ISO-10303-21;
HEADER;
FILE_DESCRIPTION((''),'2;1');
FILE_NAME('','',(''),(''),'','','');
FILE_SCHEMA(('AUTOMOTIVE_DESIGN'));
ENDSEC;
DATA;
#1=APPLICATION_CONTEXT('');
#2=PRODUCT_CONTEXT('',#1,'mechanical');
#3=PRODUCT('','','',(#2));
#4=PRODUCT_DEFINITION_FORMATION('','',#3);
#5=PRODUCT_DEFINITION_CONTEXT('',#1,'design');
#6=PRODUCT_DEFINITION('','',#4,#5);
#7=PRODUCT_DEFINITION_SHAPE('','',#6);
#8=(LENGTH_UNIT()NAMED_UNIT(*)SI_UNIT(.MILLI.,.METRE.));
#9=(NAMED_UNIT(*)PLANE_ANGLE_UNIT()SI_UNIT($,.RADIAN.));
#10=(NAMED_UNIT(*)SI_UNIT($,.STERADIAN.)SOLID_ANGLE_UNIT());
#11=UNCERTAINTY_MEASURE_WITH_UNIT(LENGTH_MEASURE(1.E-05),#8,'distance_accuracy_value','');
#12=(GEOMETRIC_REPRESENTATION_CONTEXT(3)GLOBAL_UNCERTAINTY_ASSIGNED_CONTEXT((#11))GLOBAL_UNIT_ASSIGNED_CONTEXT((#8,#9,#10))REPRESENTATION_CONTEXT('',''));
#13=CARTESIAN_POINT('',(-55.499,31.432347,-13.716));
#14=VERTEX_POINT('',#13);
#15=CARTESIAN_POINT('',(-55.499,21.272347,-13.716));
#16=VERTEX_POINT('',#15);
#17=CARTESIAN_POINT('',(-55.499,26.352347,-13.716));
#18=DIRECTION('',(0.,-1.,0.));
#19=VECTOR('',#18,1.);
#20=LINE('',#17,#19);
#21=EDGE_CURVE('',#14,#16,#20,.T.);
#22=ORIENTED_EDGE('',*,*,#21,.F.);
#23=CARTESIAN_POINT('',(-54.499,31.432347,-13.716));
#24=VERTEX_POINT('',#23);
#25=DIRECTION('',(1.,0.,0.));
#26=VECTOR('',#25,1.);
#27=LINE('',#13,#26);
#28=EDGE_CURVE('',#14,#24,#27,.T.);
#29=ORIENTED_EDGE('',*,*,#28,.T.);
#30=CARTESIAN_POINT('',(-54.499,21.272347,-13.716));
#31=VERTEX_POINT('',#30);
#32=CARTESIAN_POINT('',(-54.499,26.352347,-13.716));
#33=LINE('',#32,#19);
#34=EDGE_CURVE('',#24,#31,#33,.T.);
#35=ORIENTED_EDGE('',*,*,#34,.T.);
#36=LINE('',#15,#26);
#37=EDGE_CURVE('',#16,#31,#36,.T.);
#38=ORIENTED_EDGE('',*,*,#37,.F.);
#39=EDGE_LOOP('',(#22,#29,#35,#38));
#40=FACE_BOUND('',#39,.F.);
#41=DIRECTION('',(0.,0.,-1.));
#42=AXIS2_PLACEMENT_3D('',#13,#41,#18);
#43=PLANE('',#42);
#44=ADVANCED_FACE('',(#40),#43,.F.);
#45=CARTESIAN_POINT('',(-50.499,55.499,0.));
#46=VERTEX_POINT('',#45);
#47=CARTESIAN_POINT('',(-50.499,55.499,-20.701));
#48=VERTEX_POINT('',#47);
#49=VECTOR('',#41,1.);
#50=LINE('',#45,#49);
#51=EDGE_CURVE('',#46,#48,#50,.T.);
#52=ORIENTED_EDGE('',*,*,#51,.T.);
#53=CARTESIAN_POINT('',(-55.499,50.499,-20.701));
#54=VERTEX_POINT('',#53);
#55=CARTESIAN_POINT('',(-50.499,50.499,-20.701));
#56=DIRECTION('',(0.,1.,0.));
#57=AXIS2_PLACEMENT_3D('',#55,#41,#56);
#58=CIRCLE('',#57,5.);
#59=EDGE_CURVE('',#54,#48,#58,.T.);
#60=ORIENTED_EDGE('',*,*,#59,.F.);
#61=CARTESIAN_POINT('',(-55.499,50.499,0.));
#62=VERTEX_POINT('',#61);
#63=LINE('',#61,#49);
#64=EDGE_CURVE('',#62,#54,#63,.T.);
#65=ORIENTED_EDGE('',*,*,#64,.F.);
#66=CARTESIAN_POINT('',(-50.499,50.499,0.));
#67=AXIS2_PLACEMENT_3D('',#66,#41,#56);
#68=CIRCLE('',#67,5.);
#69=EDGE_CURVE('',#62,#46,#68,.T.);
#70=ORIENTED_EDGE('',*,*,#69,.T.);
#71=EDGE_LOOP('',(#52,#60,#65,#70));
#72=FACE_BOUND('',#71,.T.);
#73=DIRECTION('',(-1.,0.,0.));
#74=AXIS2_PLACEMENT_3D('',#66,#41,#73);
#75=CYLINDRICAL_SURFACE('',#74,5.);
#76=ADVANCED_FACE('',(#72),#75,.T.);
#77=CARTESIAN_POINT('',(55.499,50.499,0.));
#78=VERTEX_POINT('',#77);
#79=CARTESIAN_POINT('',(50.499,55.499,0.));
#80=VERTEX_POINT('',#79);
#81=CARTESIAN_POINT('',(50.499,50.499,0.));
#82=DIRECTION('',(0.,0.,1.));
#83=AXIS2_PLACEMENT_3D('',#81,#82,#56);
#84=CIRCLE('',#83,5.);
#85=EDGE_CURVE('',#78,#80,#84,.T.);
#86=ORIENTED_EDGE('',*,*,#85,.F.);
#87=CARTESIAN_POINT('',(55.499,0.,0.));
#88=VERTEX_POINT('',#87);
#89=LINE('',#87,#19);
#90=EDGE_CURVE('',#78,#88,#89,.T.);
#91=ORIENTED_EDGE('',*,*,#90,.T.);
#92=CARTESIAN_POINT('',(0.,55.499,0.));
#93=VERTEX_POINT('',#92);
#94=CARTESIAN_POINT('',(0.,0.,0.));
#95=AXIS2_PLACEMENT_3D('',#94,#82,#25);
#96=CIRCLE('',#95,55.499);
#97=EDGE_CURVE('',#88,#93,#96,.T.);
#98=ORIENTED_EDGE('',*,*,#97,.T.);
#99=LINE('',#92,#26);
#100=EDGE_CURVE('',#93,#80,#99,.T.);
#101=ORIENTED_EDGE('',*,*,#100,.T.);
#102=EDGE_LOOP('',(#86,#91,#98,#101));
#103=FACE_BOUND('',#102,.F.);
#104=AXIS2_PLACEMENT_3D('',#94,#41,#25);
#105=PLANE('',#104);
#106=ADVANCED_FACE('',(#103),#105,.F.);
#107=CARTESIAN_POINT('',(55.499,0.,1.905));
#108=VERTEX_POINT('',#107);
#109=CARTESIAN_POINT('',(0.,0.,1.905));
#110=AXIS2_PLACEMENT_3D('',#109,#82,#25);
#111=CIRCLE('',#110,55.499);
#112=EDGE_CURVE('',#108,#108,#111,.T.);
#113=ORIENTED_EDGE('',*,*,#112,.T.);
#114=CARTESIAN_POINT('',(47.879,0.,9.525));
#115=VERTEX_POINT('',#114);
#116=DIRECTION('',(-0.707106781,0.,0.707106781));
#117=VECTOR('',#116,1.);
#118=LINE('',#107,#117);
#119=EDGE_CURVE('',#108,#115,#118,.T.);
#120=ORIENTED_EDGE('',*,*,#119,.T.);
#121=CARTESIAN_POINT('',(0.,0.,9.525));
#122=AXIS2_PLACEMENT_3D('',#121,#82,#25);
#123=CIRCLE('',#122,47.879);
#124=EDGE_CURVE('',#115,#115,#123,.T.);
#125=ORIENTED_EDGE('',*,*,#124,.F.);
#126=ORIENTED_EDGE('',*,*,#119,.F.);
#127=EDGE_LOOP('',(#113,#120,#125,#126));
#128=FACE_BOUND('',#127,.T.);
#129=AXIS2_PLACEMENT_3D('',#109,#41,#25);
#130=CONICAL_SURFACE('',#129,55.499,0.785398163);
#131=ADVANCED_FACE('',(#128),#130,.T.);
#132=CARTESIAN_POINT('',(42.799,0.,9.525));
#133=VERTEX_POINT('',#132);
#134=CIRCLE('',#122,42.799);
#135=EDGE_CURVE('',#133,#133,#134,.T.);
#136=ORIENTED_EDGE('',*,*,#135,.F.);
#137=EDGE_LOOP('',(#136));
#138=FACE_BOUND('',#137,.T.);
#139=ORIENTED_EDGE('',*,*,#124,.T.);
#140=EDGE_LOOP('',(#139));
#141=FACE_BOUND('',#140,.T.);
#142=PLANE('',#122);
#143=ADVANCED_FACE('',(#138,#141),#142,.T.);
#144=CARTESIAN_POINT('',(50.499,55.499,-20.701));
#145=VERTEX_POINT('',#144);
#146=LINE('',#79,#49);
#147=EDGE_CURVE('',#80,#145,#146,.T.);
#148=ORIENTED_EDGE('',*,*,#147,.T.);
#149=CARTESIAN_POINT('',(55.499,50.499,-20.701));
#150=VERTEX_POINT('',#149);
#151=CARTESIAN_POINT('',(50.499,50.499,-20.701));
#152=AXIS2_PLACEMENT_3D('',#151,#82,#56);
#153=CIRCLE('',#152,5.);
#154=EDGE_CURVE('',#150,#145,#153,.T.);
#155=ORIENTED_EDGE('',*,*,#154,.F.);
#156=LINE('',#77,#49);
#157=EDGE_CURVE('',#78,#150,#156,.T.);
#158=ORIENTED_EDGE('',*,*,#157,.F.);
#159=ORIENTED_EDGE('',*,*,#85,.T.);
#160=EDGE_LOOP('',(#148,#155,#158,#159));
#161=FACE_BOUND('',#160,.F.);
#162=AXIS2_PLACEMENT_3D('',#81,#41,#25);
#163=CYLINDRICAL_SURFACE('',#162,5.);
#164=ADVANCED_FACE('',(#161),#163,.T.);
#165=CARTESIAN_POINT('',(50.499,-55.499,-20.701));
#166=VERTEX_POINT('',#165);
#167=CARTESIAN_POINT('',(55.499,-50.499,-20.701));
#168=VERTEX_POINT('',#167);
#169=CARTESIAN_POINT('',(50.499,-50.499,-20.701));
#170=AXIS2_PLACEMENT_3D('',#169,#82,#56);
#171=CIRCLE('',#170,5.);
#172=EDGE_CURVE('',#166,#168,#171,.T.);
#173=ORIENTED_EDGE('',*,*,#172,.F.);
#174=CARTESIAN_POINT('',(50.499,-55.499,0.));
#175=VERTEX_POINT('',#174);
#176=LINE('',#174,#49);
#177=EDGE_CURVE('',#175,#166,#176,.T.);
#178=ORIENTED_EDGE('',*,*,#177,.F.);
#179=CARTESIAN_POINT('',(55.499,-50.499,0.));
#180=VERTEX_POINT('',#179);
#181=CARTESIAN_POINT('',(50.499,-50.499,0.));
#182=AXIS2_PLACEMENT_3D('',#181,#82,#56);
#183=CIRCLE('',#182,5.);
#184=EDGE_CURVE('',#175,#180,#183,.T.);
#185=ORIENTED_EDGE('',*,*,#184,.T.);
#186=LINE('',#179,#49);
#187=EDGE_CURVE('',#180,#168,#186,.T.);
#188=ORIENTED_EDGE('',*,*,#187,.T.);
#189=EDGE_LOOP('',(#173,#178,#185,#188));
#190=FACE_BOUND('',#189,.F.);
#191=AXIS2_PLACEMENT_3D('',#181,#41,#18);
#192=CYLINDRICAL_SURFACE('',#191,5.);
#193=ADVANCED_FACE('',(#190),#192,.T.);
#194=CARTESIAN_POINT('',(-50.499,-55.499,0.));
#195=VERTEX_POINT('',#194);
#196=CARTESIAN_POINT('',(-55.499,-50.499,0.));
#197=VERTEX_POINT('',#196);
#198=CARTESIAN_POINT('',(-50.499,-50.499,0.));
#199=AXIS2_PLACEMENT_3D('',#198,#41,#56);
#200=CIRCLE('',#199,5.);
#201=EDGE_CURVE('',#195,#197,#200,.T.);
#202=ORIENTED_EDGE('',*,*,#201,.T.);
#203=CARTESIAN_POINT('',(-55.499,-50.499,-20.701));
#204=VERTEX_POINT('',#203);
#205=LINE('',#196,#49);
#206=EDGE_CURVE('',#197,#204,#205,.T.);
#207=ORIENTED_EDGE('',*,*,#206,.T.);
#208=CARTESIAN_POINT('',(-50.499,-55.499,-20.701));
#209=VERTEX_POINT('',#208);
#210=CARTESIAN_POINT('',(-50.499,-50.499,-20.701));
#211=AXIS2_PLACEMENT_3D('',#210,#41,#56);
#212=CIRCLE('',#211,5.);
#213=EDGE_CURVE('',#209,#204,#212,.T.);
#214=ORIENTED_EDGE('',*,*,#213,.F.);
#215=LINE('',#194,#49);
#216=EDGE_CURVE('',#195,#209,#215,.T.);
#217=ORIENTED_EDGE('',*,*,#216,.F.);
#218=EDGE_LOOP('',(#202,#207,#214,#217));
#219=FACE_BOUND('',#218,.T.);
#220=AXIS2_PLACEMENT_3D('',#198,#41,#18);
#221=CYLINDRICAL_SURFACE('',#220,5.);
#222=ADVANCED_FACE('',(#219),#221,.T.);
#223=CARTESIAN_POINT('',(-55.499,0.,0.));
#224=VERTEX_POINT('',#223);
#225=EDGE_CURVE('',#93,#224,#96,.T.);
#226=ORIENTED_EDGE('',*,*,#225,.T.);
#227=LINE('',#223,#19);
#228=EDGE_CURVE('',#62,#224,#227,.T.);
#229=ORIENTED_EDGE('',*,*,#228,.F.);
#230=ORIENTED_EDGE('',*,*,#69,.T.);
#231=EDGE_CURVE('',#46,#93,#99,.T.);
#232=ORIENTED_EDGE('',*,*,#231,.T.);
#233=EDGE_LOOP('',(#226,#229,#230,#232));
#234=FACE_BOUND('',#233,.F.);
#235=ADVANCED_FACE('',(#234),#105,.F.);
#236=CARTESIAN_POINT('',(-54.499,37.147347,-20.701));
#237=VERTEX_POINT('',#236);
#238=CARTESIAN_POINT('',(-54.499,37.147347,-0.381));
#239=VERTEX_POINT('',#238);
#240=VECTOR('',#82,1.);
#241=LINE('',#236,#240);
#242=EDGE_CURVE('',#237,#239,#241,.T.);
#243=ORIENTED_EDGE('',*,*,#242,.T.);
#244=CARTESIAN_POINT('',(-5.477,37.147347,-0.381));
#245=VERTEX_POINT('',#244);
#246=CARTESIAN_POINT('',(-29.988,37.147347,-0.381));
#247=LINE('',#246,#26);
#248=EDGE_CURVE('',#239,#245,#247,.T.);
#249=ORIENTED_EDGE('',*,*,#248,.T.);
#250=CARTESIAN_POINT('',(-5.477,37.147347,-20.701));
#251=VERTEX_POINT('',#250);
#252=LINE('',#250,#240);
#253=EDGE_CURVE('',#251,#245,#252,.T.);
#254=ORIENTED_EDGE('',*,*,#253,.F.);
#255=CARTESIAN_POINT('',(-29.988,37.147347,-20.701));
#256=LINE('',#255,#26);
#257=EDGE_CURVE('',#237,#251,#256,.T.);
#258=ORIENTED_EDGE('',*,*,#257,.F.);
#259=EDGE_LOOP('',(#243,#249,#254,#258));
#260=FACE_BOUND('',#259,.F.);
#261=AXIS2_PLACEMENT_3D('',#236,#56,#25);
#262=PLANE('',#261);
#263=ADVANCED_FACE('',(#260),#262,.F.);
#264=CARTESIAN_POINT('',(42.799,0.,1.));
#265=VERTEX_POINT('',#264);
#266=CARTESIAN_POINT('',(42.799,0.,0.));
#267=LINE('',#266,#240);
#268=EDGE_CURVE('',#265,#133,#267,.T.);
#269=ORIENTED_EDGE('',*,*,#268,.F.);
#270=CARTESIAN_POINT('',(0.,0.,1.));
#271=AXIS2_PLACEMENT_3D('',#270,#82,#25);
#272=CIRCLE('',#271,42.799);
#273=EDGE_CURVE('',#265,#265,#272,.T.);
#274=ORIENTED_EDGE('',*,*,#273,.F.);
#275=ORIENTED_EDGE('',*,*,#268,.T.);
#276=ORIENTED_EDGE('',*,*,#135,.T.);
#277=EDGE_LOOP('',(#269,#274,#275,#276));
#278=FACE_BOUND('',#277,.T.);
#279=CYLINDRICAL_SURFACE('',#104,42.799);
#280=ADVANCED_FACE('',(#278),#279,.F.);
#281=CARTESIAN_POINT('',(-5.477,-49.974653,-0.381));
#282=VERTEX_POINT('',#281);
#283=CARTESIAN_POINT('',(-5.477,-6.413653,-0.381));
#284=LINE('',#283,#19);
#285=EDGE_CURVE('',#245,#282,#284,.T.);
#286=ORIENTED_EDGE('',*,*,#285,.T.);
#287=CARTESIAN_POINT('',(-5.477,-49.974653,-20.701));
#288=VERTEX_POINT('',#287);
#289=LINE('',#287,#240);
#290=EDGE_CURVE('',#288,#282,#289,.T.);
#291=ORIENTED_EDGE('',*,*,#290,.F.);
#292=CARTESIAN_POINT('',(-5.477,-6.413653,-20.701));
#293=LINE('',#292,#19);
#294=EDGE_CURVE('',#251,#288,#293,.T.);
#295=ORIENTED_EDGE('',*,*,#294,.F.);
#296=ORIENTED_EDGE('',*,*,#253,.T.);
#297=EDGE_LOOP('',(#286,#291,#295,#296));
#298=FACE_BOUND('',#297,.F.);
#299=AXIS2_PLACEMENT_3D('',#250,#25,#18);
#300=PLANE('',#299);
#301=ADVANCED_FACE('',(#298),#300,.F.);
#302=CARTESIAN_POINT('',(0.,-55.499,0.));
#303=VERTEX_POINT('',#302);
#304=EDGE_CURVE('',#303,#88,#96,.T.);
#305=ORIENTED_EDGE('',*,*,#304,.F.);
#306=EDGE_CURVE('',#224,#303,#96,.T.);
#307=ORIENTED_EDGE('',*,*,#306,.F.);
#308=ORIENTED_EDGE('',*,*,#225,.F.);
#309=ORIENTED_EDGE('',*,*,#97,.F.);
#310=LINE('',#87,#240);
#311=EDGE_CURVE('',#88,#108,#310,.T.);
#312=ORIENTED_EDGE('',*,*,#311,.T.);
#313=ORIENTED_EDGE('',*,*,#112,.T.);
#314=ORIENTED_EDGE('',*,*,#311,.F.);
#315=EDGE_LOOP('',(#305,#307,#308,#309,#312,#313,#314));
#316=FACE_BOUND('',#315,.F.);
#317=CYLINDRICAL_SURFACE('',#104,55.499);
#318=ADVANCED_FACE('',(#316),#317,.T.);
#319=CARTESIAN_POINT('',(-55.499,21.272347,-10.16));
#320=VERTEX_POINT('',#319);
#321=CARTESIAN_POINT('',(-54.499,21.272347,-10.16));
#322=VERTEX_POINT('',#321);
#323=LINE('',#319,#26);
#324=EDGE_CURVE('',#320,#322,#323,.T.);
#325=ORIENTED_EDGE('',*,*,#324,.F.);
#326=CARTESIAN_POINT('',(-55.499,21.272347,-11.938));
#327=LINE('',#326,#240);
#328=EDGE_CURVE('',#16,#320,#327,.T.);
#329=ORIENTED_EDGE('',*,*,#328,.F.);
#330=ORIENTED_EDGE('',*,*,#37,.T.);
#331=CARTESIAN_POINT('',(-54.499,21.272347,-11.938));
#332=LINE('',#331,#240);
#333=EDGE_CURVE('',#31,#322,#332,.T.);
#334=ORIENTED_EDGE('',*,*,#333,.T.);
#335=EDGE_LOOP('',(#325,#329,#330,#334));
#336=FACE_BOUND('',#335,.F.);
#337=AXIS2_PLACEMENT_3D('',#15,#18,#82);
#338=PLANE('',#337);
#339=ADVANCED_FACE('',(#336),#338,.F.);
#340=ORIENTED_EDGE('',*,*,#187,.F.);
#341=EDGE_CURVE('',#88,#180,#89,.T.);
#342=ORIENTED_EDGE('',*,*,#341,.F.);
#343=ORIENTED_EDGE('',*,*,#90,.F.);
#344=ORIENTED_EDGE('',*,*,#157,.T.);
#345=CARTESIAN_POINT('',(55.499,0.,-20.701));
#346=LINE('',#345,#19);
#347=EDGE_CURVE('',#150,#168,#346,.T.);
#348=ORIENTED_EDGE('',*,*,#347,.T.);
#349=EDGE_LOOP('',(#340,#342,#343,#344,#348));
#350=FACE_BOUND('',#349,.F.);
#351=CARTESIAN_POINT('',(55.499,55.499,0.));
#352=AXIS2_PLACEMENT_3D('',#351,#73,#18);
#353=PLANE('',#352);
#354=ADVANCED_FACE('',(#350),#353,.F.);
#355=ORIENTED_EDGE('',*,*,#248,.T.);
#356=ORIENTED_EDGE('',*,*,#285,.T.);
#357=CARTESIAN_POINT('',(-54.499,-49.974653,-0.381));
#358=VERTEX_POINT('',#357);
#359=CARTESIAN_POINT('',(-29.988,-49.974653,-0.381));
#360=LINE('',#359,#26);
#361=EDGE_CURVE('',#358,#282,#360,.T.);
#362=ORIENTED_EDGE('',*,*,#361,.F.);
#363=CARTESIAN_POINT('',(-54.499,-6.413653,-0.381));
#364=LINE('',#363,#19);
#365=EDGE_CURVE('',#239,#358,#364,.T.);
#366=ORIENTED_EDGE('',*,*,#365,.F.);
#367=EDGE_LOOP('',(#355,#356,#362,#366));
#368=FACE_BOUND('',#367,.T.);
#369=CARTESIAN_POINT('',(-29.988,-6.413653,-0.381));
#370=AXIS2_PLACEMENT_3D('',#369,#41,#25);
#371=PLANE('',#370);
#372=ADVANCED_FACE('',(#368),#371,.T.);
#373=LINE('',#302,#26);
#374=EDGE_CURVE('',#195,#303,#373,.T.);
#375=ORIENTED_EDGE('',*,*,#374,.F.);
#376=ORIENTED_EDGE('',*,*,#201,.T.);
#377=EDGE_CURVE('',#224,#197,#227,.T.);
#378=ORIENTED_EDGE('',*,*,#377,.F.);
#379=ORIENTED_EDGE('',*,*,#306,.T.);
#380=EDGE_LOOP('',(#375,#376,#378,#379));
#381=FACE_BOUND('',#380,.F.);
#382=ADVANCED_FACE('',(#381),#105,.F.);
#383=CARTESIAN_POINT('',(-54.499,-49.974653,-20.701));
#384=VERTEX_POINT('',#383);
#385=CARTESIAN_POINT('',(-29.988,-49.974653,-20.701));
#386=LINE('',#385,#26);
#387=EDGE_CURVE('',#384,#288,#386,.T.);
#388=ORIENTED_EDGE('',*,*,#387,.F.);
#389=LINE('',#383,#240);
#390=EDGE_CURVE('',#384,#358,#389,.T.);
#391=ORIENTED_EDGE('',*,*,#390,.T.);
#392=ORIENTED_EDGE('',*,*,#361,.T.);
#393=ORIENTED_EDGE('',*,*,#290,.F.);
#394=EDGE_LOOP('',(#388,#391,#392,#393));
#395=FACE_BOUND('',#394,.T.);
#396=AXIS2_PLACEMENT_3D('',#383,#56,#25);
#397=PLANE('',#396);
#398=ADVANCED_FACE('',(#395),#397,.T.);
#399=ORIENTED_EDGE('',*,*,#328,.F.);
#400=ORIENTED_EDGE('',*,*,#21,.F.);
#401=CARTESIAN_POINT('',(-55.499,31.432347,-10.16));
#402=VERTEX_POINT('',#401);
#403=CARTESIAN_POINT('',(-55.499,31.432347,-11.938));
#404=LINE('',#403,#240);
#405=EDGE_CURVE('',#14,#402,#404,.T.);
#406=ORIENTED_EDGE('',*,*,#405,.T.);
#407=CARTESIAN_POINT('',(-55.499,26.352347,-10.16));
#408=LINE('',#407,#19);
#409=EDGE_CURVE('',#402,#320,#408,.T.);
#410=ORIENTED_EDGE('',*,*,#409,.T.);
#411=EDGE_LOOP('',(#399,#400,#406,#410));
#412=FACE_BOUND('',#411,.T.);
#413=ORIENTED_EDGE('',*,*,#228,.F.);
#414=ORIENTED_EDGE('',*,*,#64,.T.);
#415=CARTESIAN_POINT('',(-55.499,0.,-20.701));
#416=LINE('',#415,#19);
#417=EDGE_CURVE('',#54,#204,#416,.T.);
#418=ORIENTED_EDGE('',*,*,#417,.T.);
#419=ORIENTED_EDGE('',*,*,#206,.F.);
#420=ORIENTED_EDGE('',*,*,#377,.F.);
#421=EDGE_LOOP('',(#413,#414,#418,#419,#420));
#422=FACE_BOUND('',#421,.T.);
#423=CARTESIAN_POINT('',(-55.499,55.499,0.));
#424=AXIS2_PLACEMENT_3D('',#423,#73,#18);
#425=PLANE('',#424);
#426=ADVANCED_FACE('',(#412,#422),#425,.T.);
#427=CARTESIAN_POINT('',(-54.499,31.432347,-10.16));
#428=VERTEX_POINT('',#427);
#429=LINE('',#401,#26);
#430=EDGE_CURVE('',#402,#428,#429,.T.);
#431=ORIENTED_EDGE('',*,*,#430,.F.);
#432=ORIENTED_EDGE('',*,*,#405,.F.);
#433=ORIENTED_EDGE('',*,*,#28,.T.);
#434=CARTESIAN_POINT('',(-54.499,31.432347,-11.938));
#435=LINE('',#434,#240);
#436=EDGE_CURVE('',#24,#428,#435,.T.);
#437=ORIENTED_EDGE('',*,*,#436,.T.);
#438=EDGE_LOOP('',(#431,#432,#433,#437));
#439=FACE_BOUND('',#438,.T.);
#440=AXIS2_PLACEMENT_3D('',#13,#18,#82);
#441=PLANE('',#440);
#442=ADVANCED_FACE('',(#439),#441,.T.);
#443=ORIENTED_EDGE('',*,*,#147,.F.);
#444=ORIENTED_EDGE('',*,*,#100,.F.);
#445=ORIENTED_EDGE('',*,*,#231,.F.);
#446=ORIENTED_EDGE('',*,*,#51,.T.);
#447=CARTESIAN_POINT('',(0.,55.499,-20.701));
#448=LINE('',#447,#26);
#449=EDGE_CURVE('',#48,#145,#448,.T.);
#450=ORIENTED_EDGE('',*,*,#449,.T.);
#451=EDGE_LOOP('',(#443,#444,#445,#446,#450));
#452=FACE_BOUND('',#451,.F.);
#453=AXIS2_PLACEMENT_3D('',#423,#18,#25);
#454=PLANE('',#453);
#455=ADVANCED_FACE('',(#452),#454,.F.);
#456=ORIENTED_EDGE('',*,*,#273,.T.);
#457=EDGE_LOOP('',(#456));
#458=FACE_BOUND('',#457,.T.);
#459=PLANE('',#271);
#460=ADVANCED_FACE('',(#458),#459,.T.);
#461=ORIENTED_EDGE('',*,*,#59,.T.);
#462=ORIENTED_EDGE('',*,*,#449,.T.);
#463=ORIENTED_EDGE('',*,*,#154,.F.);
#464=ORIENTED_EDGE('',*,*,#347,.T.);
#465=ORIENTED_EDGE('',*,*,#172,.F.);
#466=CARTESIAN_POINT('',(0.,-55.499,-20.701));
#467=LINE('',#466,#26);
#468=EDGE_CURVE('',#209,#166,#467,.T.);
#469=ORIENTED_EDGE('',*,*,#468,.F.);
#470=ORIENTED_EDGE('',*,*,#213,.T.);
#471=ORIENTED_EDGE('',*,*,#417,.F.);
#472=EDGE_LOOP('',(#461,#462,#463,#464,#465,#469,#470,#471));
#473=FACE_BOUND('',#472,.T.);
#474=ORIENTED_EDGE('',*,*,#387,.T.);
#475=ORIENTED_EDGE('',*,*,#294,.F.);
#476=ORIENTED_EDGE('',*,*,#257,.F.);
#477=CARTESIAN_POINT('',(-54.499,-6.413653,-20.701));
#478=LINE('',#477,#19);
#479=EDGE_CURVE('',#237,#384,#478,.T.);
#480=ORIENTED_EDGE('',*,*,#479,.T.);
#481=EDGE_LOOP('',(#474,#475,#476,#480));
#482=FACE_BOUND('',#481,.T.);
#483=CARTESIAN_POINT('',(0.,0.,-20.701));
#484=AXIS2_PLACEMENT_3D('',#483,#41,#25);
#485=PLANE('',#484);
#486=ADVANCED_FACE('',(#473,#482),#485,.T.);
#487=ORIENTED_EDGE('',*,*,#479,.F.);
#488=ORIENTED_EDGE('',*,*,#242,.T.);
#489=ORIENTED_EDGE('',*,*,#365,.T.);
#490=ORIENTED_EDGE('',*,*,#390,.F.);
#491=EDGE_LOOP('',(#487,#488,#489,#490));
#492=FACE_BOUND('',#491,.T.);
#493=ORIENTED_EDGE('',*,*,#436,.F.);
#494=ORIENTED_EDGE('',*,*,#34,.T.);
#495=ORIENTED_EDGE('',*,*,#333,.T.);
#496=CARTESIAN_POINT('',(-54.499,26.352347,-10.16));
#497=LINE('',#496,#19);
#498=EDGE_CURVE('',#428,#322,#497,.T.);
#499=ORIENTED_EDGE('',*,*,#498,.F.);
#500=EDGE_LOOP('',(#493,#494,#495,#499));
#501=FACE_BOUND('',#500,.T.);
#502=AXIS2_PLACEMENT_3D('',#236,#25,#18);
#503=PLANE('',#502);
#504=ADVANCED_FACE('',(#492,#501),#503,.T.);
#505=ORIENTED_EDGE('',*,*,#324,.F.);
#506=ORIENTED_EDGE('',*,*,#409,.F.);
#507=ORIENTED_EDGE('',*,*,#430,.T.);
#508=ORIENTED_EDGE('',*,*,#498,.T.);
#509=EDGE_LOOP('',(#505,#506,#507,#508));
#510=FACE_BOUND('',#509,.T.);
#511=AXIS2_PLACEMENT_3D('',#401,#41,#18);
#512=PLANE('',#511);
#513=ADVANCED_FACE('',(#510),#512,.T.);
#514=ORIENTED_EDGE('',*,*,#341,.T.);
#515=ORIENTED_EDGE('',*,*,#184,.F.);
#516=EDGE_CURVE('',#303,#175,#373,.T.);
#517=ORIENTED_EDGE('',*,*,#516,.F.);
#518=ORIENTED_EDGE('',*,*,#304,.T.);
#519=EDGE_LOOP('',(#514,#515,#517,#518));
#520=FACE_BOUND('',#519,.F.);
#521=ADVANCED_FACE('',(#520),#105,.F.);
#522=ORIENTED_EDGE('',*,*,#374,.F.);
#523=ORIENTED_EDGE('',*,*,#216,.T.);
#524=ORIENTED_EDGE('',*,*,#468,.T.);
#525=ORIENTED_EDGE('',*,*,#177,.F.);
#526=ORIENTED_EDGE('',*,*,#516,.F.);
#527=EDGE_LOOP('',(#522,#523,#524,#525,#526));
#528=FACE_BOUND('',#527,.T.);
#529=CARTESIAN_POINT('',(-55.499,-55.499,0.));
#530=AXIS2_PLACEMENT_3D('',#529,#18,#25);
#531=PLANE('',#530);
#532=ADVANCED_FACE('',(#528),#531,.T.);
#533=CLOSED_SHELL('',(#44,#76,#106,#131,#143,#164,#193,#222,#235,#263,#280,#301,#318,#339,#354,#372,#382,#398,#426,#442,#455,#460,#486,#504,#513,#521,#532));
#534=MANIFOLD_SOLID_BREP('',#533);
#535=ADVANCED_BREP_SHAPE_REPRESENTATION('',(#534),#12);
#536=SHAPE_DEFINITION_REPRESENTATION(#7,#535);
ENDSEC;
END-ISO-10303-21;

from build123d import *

# Parameters (mm, degrees)
F0_R      = 55.499
F0_R_2    = 42.799
F1_DEPTH  = 9.525
F2_W      = 110.998
F2_H      = 110.998
F3_DEPTH  = 20.701
F4_SIZE   = 7.62
F5_W      = 49.022
F5_H      = 87.122
F6_DEPTH  = 20.32
F7_W      = 10.16
F7_H      = 3.556
F8_DEPTH  = 1
F9_R      = 5
F10_R     = 42.799
F11_DEPTH = 1


with BuildPart() as f1:
    # F0 (on Top) → F1 (new body)
    with BuildSketch(Plane.XY):
        Circle(F0_R)
        Circle(F0_R_2, mode=Mode.SUBTRACT)
    extrude(amount=F1_DEPTH)

    # F2 (on face) → F3 (join)
    with BuildSketch(Plane(origin=(0, 0, 0), x_dir=(1, 0, 0), z_dir=(0, 0, -1))):
        Rectangle(F2_W, F2_H)
    extrude(amount=F3_DEPTH)

    # F4
    f4_edges = [f1.edges().sort_by_distance(p)[0] for p in [
        (-55.499, 0, 9.525),
    ]]
    chamfer(f4_edges, length=F4_SIZE)

    # F5 (on face) → F6 (cut)
    with BuildSketch(Plane(origin=(0, 0, -20.701), x_dir=(1, 0, 0), z_dir=(0, 0, -1))):
        with Locations((-29.988, 6.413653)):
            Rectangle(F5_W, F5_H)
    extrude(amount=-F6_DEPTH, mode=Mode.SUBTRACT)

    # F7 (on face) → F8 (cut, through all)
    with BuildSketch(Plane(origin=(-55.499, 0, 0), x_dir=(0, -1, 0), z_dir=(-1, 0, 0))):
        with Locations((-26.352347, -11.938)):
            Rectangle(F7_W, F7_H)
    extrude(amount=-F8_DEPTH, mode=Mode.SUBTRACT)

    # F9
    f9_edges = [f1.edges().sort_by_distance(p)[0] for p in [
        (-55.499, -55.499, -10.3505),
        (-55.499, 55.499, -10.3505),
        (55.499, -55.499, -10.3505),
        (55.499, 55.499, -10.3505),
    ]]
    fillet(f9_edges, radius=F9_R)

    # F10 (on face) → F11 (join)
    with BuildSketch(Plane.XY):
        Circle(F10_R)
    extrude(amount=F11_DEPTH)


solid = f1.part
